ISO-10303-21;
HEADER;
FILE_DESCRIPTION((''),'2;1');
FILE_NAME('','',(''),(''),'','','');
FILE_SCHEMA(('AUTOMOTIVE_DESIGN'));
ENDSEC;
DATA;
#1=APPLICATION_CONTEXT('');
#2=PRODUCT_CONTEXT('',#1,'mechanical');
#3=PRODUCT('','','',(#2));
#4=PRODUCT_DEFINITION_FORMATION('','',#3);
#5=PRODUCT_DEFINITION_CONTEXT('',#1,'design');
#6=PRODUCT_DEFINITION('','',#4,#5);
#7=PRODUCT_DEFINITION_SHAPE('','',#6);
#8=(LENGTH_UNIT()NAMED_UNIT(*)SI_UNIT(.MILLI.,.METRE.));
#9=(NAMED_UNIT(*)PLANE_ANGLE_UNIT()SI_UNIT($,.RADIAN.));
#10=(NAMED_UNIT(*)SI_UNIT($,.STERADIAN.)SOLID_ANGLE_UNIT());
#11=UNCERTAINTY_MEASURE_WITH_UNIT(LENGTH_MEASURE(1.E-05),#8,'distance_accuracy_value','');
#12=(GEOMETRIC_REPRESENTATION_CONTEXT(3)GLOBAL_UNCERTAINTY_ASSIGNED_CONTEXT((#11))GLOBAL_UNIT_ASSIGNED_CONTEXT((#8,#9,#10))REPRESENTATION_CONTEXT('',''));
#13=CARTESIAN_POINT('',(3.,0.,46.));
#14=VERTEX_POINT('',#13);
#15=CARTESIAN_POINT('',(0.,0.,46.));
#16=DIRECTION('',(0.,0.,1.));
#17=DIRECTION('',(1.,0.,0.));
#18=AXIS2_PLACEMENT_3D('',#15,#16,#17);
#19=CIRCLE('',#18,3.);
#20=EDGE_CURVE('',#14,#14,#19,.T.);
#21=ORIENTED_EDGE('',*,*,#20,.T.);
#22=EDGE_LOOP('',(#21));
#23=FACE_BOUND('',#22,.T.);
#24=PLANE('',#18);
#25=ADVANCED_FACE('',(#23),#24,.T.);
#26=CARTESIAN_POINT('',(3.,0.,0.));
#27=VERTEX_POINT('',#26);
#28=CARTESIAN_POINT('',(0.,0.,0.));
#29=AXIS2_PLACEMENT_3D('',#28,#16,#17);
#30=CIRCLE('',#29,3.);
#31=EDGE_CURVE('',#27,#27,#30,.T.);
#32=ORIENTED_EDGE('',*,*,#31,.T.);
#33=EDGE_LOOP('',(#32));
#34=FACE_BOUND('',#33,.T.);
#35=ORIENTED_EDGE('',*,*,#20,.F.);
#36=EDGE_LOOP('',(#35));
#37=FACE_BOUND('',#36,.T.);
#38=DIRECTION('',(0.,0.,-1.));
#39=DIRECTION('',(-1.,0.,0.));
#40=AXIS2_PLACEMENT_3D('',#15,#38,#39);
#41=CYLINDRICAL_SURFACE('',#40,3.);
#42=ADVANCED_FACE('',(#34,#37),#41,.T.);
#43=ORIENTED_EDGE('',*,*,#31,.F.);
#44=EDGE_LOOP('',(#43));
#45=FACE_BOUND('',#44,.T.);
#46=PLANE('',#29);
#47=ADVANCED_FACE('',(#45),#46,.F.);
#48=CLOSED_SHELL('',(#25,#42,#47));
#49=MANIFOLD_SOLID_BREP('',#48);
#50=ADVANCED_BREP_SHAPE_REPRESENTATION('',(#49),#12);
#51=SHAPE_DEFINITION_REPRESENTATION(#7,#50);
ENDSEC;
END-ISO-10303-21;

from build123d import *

# Parameters (mm, degrees)
SKETCH_1_R      = 3
EXTRUDE_1_DEPTH = 46


with BuildPart() as part:
    # 스케치1 → 보스-돌출1 (new body)
    with BuildSketch(Plane.XY):
        Circle(SKETCH_1_R)
    extrude(amount=EXTRUDE_1_DEPTH)


solid = part.part
